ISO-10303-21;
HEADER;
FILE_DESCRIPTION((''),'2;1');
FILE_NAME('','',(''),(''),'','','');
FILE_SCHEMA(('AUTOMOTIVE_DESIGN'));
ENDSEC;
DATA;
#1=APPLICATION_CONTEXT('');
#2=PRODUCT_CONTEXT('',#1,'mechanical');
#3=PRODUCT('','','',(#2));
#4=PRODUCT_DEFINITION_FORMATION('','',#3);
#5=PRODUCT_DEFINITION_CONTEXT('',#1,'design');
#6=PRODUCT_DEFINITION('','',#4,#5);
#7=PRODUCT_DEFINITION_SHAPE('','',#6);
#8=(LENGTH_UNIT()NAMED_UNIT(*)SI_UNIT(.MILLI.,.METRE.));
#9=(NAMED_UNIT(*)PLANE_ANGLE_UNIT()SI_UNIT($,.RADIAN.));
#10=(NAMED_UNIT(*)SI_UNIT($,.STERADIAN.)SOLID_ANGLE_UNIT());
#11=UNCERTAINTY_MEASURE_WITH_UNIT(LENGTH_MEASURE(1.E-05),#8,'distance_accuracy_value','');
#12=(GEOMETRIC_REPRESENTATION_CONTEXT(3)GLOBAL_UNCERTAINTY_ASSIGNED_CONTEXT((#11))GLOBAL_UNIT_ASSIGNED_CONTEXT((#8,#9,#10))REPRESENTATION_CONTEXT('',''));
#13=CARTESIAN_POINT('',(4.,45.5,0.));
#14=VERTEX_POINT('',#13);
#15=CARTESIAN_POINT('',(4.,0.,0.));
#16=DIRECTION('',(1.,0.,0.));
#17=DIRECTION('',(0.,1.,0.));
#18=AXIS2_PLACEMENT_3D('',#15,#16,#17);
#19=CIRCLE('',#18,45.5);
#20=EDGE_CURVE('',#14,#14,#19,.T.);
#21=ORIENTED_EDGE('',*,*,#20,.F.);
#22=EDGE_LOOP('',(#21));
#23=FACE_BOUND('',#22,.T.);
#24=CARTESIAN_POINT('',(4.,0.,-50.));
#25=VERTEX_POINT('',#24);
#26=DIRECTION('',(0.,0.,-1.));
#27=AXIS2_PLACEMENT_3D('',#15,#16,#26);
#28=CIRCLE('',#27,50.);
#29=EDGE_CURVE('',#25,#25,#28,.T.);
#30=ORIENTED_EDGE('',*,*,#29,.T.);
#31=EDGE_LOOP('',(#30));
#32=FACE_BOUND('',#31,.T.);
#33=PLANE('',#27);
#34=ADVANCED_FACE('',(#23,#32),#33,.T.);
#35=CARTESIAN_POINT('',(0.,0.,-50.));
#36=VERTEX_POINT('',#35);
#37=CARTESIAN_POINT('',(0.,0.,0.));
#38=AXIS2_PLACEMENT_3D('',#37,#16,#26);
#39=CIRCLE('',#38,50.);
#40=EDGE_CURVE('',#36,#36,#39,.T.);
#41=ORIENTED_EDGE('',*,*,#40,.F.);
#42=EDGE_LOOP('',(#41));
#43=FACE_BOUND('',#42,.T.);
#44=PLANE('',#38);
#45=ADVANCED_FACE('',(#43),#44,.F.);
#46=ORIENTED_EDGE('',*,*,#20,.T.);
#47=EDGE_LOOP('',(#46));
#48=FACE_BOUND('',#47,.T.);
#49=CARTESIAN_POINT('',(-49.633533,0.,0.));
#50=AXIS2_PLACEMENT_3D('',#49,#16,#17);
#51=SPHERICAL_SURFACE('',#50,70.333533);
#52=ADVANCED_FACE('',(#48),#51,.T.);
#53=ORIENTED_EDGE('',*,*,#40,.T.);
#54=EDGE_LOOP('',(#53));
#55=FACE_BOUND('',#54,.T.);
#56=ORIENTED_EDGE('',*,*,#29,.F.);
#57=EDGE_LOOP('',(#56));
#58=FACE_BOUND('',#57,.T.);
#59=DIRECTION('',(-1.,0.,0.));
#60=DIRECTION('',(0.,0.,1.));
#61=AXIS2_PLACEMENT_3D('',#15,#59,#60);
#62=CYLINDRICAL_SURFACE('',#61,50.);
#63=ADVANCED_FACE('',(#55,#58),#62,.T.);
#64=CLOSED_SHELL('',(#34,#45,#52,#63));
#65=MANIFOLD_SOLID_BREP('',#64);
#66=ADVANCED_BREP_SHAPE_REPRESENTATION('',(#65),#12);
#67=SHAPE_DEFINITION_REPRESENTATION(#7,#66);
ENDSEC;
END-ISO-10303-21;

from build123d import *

# Parameters (mm, degrees)
SKETCH_1_R      = 50
EXTRUDE_1_DEPTH = 4


with BuildPart() as part:
    # 草图1 → 凸台-拉伸1 (new body)
    with BuildSketch(Plane(origin=(0, 0, 0), x_dir=(0, 0, -1), z_dir=(1, 0, 0))):
        Circle(SKETCH_1_R)
    extrude(amount=EXTRUDE_1_DEPTH)

    # 草图2 → 旋转2 (revolve)
    with BuildSketch(Plane.XY):
        with BuildLine():
            ThreePointArc((4, 45.5), (16.393134822, 24.23396377), (20.7, 0))
            Line((20.7, 0), (4, 0))
            Line((4, 0), (4, 45.5))
        make_face()
    revolve(axis=Axis((20.7, 0, 0), (-1, 0, 0)))


solid = part.part
